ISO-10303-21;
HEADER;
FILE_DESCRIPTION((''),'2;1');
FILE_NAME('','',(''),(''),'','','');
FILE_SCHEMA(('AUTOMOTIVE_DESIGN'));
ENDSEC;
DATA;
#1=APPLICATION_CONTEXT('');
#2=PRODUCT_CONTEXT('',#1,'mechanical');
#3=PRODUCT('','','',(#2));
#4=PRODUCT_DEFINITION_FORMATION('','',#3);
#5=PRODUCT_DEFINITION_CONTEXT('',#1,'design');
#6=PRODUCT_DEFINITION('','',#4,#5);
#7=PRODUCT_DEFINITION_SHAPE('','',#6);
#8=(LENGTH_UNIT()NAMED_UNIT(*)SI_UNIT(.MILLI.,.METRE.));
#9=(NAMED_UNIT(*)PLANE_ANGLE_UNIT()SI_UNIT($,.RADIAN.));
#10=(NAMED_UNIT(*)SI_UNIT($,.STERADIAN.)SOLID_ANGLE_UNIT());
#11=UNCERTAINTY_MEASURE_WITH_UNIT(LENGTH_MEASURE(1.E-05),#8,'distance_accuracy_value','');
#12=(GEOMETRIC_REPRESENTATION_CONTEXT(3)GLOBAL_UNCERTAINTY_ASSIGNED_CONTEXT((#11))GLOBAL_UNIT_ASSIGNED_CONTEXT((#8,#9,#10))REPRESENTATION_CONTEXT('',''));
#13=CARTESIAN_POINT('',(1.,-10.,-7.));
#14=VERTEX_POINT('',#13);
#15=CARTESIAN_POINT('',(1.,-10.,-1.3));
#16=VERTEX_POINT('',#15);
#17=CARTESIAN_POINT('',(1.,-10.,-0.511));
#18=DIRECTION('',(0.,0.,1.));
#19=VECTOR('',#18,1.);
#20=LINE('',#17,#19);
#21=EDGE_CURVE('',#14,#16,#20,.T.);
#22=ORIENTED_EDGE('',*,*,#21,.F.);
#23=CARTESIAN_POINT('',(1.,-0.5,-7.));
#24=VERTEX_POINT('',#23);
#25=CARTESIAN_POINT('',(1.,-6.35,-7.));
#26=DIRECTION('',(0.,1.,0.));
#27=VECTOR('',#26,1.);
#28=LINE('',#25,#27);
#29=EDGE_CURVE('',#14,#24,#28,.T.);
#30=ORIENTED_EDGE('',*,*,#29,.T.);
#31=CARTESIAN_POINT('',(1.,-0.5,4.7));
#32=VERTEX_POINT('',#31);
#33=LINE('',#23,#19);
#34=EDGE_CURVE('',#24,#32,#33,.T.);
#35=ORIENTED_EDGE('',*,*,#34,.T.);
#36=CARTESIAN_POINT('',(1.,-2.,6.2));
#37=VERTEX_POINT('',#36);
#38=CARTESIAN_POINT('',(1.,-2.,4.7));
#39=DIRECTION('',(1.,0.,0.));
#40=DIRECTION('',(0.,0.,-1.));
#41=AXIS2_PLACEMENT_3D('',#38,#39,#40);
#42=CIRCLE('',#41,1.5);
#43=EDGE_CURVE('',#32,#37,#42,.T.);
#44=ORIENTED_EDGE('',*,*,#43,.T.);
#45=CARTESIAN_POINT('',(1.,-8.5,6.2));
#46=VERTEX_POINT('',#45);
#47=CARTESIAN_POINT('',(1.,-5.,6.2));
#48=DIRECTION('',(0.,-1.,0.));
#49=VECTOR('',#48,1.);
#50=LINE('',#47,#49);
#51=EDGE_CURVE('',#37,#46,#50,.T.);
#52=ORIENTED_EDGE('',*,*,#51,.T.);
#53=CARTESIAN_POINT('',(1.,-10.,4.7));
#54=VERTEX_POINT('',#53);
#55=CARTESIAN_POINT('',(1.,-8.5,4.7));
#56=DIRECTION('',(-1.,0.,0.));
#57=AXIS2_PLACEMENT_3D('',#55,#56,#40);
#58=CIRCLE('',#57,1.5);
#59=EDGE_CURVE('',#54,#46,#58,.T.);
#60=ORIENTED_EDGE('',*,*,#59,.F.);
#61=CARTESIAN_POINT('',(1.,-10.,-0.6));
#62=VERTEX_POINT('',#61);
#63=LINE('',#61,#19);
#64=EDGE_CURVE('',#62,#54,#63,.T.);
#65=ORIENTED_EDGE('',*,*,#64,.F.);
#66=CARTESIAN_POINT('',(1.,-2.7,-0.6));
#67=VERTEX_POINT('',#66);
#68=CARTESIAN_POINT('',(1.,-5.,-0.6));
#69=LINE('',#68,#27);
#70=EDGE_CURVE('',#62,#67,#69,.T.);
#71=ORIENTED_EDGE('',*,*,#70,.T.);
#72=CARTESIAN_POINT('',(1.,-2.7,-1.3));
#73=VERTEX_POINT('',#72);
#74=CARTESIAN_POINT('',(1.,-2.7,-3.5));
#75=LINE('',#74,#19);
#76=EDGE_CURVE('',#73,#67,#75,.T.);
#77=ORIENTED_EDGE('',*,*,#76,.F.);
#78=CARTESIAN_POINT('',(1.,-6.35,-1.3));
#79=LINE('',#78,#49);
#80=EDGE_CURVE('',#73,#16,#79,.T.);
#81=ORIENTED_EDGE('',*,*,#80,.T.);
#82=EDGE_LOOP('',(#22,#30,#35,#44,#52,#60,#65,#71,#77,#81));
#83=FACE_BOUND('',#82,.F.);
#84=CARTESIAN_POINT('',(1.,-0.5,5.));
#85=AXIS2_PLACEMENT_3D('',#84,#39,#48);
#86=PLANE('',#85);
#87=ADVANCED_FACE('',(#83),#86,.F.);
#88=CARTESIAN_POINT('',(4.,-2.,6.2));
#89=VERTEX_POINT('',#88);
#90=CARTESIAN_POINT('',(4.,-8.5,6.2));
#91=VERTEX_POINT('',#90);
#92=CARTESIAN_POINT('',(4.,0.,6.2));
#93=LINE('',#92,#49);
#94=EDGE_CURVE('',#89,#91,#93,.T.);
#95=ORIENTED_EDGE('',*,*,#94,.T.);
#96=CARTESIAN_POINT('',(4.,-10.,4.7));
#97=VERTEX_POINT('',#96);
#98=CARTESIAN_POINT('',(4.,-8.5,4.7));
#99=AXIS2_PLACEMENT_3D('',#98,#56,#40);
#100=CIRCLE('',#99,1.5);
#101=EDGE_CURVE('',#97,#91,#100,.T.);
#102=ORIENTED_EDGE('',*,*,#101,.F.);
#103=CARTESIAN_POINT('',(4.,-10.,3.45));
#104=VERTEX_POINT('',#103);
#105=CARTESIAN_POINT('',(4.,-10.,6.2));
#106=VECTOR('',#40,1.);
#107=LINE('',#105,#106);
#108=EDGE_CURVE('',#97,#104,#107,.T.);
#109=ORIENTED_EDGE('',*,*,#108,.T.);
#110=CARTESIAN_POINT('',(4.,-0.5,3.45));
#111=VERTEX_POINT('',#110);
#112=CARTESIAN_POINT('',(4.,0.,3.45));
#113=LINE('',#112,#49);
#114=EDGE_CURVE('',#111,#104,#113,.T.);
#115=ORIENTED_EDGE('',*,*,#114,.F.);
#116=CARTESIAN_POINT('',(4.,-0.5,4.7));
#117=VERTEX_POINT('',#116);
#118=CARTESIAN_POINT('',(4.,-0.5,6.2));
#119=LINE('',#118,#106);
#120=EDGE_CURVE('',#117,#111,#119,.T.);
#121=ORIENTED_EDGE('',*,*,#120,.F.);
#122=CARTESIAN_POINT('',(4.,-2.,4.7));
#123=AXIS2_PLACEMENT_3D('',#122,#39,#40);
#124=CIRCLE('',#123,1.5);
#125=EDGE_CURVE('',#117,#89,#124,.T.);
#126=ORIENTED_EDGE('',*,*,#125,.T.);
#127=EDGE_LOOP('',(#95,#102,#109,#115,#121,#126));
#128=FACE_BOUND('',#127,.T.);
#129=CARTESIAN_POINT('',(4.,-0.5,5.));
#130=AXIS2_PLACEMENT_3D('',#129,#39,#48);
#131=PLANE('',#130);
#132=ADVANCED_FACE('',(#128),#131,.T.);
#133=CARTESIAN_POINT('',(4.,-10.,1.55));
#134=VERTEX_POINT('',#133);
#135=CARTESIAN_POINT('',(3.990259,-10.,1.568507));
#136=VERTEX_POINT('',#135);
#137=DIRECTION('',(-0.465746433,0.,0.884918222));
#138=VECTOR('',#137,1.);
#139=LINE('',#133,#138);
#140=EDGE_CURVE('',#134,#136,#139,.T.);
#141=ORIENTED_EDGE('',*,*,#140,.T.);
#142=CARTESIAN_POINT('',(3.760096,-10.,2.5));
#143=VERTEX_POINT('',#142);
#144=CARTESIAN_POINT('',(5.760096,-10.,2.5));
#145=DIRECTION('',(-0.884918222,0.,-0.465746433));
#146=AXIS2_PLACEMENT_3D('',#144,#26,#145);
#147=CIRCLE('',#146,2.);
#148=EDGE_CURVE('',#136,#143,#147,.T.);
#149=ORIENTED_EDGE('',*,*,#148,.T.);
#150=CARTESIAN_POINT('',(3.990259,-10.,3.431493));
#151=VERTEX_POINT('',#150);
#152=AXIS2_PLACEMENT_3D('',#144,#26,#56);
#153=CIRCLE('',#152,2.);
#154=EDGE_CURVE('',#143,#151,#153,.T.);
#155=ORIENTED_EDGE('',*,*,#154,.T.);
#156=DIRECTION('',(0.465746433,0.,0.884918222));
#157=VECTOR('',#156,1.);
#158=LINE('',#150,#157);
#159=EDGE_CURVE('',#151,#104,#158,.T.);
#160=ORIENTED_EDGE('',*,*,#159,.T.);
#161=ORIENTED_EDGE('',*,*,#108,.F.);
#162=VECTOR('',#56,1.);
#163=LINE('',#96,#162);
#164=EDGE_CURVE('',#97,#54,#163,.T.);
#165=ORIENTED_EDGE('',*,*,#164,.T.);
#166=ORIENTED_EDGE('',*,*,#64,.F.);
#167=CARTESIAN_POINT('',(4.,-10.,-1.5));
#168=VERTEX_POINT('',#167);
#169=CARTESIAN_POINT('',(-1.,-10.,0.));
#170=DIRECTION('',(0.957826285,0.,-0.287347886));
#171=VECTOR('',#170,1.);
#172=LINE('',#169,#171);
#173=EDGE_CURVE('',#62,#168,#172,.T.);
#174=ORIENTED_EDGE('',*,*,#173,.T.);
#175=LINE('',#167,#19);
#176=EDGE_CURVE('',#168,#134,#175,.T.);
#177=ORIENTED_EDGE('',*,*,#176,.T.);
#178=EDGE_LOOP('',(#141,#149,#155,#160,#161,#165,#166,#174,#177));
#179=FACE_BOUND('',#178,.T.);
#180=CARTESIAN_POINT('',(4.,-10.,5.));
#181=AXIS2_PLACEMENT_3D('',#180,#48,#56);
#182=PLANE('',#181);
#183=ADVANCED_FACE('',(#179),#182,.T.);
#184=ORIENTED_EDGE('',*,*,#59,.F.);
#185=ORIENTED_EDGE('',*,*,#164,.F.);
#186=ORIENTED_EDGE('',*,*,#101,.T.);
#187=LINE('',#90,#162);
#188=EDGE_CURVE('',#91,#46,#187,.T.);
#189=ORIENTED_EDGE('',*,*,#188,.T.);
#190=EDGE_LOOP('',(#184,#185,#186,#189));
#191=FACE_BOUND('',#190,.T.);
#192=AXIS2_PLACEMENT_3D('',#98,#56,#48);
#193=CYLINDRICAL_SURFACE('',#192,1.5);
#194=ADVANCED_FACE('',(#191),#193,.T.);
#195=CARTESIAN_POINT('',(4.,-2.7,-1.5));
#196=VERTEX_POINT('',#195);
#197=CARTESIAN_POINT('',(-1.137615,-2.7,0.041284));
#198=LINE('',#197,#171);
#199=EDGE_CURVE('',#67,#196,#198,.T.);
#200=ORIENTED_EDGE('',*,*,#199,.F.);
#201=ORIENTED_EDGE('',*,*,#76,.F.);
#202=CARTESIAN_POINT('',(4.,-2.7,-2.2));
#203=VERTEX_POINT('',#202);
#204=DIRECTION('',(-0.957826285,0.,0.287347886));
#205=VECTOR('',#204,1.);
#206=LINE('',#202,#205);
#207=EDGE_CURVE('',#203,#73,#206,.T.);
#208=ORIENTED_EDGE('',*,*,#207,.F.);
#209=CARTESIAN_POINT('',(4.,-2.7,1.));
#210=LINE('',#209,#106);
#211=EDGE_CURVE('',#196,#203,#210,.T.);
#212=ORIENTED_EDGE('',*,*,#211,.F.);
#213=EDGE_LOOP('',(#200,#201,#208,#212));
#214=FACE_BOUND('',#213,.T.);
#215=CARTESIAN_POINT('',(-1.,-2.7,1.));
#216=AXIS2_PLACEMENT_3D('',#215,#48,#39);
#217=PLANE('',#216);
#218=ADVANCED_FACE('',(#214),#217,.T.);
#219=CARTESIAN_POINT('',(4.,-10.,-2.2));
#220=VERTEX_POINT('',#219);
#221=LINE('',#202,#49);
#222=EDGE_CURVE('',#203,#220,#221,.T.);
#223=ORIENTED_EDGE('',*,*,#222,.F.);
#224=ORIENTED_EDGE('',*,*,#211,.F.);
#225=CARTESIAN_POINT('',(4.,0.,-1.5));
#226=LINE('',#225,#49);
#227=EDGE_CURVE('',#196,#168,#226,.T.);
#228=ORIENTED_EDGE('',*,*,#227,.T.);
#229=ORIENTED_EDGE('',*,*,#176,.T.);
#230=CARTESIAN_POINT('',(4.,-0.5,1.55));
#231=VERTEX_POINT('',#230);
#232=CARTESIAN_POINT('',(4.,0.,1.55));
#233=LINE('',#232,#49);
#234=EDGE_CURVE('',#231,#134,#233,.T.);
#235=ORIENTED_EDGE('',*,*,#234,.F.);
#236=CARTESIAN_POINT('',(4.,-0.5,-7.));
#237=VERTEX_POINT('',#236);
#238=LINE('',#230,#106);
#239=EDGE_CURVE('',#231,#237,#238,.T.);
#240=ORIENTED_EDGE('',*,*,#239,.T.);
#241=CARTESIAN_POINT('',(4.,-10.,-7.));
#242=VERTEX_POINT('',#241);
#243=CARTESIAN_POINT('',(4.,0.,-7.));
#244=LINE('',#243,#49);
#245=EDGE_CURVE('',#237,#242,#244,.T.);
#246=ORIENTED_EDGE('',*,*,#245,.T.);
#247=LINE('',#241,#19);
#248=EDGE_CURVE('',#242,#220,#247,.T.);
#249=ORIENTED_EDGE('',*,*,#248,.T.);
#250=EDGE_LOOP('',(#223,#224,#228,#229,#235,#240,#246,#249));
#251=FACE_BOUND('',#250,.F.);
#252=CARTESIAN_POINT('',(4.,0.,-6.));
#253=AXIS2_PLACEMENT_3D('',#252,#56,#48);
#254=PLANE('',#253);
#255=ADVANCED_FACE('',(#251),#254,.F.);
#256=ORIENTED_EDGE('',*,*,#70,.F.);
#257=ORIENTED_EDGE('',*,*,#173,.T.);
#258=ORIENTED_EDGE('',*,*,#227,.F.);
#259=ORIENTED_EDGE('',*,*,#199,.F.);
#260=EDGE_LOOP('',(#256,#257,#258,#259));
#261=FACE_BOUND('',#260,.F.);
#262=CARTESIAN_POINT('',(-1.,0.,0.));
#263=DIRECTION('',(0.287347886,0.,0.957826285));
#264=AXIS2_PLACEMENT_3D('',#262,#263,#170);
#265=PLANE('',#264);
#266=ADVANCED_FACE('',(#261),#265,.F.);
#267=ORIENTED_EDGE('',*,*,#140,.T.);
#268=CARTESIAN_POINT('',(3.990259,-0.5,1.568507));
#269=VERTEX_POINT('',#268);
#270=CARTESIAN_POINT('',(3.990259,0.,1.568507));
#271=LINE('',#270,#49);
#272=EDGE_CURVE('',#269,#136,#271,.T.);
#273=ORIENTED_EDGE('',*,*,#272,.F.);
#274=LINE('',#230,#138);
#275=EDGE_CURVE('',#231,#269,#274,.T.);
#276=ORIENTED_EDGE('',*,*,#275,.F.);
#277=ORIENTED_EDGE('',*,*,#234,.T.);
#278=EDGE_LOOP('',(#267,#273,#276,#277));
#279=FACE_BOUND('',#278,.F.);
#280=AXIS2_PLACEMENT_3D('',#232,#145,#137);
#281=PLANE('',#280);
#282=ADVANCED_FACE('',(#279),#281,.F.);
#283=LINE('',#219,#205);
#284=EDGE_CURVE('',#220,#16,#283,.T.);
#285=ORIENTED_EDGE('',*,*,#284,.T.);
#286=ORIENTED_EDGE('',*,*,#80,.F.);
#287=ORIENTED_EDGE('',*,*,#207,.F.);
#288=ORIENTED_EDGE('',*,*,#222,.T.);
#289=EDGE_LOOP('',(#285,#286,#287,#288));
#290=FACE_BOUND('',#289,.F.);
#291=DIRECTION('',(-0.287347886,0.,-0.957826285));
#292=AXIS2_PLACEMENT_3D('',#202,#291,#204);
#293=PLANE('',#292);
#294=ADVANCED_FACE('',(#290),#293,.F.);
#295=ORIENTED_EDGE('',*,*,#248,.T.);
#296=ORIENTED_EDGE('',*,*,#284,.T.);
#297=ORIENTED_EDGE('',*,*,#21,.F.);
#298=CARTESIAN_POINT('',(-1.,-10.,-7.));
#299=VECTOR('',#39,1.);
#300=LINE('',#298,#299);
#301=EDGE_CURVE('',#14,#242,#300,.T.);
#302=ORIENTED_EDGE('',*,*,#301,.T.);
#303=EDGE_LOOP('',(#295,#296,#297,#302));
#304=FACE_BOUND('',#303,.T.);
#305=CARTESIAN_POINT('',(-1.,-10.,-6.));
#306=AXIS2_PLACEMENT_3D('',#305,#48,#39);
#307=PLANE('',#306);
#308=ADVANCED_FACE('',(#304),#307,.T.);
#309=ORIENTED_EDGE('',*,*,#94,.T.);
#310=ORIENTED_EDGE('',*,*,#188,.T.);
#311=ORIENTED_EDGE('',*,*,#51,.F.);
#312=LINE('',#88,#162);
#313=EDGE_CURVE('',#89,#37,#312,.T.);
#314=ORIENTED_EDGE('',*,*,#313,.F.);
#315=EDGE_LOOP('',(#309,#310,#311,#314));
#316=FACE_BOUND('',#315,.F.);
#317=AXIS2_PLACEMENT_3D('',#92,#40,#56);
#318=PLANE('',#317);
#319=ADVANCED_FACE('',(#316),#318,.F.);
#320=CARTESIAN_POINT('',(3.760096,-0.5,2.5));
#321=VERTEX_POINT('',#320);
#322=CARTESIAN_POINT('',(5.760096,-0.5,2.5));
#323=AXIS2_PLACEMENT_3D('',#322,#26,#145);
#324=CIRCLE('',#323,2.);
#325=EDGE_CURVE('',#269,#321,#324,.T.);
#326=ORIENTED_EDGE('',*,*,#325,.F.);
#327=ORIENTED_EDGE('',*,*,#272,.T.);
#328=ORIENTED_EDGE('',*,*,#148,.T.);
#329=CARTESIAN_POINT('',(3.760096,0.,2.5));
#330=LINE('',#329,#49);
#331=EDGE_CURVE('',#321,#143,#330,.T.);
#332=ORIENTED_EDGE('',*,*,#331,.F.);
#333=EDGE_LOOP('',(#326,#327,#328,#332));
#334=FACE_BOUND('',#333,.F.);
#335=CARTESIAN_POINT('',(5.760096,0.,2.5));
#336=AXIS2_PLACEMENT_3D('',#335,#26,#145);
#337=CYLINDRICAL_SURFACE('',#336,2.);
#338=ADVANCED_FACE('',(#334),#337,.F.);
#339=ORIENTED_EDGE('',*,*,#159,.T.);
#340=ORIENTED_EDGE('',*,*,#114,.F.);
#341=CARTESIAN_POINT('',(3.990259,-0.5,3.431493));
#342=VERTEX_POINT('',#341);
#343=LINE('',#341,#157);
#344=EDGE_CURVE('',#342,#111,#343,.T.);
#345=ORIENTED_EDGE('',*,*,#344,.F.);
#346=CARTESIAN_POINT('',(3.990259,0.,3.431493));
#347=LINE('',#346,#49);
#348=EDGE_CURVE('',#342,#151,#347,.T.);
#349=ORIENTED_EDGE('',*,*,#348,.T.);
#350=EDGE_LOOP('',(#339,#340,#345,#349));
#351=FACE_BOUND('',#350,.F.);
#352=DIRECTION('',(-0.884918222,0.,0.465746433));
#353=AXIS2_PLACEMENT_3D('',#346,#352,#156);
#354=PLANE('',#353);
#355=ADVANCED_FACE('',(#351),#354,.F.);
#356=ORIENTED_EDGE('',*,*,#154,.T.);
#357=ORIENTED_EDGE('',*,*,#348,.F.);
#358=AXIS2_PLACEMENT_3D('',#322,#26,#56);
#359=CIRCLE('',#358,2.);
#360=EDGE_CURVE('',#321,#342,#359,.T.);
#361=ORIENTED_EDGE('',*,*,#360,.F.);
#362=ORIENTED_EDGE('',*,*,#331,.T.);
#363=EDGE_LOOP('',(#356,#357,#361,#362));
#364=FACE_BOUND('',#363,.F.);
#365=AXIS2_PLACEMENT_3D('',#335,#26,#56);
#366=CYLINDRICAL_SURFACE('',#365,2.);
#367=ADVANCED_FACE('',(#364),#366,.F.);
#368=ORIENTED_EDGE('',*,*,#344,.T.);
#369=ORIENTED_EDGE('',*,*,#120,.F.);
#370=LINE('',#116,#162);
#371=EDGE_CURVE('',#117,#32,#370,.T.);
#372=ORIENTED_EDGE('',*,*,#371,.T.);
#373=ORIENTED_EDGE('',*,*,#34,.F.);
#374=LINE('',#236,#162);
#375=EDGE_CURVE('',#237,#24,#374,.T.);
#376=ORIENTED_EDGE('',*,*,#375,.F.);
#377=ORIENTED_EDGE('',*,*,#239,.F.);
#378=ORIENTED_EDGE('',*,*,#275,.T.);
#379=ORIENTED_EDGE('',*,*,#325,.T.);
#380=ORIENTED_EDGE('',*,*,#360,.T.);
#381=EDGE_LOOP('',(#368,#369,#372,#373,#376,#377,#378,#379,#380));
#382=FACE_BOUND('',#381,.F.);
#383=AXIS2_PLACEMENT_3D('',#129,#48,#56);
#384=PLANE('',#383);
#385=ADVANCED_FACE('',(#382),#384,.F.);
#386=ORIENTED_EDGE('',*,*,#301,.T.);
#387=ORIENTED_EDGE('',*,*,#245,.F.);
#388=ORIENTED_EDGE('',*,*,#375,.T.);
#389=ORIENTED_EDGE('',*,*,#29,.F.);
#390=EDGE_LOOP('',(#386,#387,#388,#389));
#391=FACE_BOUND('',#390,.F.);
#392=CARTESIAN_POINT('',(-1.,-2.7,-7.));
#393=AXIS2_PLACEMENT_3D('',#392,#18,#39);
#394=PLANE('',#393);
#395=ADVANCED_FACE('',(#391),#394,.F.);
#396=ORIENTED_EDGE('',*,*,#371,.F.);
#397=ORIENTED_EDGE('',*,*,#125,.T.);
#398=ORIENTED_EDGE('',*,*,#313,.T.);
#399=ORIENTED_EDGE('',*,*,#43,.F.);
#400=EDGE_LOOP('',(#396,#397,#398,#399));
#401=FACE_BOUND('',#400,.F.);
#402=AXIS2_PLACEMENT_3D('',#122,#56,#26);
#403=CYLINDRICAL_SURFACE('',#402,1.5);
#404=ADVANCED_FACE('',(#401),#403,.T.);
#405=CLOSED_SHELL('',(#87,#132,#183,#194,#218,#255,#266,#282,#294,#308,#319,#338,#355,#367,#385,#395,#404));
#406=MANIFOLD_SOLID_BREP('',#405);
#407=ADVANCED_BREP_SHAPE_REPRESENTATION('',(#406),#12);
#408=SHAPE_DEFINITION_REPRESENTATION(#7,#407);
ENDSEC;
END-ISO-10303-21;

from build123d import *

# Parameters (mm, degrees)
F0_W      = 1
F0_H      = 2.5
F0_H_2    = 1.5
F1_DEPTH  = 10
F3_W      = 4
F3_H      = 2.7
F3_W_2    = 1
F4_DEPTH  = 7
F6_DEPTH  = 7.3
F7_DEPTH  = 1
F8_DEPTH  = 0.5
F9_DEPTH  = 0.5
F10_DEPTH = 0.5
F11_W     = 2
F11_H     = 14.978
F12_DEPTH = 25
F13_DEPTH = 1.2
F14_R     = 1.5


with BuildPart() as f1:
    # F0 (on Front) → F1 (new body)
    with BuildSketch(Plane.XZ):
        with BuildLine():
            Line((0, 2.5), (0, 0))
            Line((0, 0), (4, 0))
            Line((4, 0), (4, 1.55))
            Line((4, 1.55), (3.990259403, 1.5685071343))
            ThreePointArc((3.990259403, 1.5685071343), (3.8184891819, 2.0202463599), (3.7600958477, 2.5))
            ThreePointArc((3.7600958477, 2.5), (3.8184891819, 2.9797536401), (3.990259403, 3.4314928657))
            Line((3.990259403, 3.4314928657), (4, 3.45))
            Line((4, 3.45), (4, 4))
            Line((4, 4), (0, 4))
            Line((0, 4), (0, 2.5))
        make_face()
        with Locations((-0.5, 1.25)):
            Rectangle(F0_W, F0_H)
        Polygon((4, 0), (0, 0), (-1, 0), (4, -1.5), align=None)
        with Locations((-0.5, 3.25)):
            Rectangle(F0_W, F0_H_2)
    extrude(amount=F1_DEPTH)

    # F3 (on offset) → F4 (join)
    with BuildSketch(Plane.XY.offset(1)):
        with Locations((2, -1.35)):
            Rectangle(F3_W, F3_H)
        with Locations((-0.5, -1.35)):
            Rectangle(F3_W_2, F3_H)
    extrude(amount=-F4_DEPTH)

    # F5 (on face) → F6 (join, through all)
    with BuildSketch(Plane.XZ.offset(2.7)):
        Polygon((-1, -6), (4, -6), (4, -2.2), (-1, -0.7), align=None)
    extrude(amount=F6_DEPTH)

    # F7 (add): a face of the model
    f7_faces = [f1.faces().sort_by_distance(p)[0] for p in [
        (1.5, -5, -6),
    ]]
    extrude(f7_faces, amount=F7_DEPTH)

    # F8 (add): a face of the model
    f8_faces = [f1.faces().sort_by_distance(p)[0] for p in [
        (1.5, -5, 4),
    ]]
    extrude(f8_faces, amount=F8_DEPTH)

    # F9 (cut): a face of the model
    f9_faces = [f1.faces().sort_by_distance(p)[0] for p in [
        (1.4870709663, 0, -1.2701719647),
    ]]
    extrude(f9_faces, amount=-F9_DEPTH, mode=Mode.SUBTRACT)

    # F10 (add): a face of the model
    f10_faces = [f1.faces().sort_by_distance(p)[0] for p in [
        (1.5, -5.25, 4.5),
    ]]
    extrude(f10_faces, amount=F10_DEPTH)

    # F11 (on face) → F12 (cut)
    with BuildSketch(Plane.XZ.offset(10)):
        with Locations((0, -0.511)):
            Rectangle(F11_W, F11_H)
    extrude(amount=-F12_DEPTH, mode=Mode.SUBTRACT)

    # F13 (add): a face of the model
    f13_faces = [f1.faces().sort_by_distance(p)[0] for p in [
        (2.5, -5.25, 5),
    ]]
    extrude(f13_faces, amount=F13_DEPTH)

    # F14
    f14_edges = [f1.edges().sort_by_distance(p)[0] for p in [
        (2.5, -10, 6.2),
        (2.5, -0.5, 6.2),
    ]]
    fillet(f14_edges, radius=F14_R)


solid = f1.part
